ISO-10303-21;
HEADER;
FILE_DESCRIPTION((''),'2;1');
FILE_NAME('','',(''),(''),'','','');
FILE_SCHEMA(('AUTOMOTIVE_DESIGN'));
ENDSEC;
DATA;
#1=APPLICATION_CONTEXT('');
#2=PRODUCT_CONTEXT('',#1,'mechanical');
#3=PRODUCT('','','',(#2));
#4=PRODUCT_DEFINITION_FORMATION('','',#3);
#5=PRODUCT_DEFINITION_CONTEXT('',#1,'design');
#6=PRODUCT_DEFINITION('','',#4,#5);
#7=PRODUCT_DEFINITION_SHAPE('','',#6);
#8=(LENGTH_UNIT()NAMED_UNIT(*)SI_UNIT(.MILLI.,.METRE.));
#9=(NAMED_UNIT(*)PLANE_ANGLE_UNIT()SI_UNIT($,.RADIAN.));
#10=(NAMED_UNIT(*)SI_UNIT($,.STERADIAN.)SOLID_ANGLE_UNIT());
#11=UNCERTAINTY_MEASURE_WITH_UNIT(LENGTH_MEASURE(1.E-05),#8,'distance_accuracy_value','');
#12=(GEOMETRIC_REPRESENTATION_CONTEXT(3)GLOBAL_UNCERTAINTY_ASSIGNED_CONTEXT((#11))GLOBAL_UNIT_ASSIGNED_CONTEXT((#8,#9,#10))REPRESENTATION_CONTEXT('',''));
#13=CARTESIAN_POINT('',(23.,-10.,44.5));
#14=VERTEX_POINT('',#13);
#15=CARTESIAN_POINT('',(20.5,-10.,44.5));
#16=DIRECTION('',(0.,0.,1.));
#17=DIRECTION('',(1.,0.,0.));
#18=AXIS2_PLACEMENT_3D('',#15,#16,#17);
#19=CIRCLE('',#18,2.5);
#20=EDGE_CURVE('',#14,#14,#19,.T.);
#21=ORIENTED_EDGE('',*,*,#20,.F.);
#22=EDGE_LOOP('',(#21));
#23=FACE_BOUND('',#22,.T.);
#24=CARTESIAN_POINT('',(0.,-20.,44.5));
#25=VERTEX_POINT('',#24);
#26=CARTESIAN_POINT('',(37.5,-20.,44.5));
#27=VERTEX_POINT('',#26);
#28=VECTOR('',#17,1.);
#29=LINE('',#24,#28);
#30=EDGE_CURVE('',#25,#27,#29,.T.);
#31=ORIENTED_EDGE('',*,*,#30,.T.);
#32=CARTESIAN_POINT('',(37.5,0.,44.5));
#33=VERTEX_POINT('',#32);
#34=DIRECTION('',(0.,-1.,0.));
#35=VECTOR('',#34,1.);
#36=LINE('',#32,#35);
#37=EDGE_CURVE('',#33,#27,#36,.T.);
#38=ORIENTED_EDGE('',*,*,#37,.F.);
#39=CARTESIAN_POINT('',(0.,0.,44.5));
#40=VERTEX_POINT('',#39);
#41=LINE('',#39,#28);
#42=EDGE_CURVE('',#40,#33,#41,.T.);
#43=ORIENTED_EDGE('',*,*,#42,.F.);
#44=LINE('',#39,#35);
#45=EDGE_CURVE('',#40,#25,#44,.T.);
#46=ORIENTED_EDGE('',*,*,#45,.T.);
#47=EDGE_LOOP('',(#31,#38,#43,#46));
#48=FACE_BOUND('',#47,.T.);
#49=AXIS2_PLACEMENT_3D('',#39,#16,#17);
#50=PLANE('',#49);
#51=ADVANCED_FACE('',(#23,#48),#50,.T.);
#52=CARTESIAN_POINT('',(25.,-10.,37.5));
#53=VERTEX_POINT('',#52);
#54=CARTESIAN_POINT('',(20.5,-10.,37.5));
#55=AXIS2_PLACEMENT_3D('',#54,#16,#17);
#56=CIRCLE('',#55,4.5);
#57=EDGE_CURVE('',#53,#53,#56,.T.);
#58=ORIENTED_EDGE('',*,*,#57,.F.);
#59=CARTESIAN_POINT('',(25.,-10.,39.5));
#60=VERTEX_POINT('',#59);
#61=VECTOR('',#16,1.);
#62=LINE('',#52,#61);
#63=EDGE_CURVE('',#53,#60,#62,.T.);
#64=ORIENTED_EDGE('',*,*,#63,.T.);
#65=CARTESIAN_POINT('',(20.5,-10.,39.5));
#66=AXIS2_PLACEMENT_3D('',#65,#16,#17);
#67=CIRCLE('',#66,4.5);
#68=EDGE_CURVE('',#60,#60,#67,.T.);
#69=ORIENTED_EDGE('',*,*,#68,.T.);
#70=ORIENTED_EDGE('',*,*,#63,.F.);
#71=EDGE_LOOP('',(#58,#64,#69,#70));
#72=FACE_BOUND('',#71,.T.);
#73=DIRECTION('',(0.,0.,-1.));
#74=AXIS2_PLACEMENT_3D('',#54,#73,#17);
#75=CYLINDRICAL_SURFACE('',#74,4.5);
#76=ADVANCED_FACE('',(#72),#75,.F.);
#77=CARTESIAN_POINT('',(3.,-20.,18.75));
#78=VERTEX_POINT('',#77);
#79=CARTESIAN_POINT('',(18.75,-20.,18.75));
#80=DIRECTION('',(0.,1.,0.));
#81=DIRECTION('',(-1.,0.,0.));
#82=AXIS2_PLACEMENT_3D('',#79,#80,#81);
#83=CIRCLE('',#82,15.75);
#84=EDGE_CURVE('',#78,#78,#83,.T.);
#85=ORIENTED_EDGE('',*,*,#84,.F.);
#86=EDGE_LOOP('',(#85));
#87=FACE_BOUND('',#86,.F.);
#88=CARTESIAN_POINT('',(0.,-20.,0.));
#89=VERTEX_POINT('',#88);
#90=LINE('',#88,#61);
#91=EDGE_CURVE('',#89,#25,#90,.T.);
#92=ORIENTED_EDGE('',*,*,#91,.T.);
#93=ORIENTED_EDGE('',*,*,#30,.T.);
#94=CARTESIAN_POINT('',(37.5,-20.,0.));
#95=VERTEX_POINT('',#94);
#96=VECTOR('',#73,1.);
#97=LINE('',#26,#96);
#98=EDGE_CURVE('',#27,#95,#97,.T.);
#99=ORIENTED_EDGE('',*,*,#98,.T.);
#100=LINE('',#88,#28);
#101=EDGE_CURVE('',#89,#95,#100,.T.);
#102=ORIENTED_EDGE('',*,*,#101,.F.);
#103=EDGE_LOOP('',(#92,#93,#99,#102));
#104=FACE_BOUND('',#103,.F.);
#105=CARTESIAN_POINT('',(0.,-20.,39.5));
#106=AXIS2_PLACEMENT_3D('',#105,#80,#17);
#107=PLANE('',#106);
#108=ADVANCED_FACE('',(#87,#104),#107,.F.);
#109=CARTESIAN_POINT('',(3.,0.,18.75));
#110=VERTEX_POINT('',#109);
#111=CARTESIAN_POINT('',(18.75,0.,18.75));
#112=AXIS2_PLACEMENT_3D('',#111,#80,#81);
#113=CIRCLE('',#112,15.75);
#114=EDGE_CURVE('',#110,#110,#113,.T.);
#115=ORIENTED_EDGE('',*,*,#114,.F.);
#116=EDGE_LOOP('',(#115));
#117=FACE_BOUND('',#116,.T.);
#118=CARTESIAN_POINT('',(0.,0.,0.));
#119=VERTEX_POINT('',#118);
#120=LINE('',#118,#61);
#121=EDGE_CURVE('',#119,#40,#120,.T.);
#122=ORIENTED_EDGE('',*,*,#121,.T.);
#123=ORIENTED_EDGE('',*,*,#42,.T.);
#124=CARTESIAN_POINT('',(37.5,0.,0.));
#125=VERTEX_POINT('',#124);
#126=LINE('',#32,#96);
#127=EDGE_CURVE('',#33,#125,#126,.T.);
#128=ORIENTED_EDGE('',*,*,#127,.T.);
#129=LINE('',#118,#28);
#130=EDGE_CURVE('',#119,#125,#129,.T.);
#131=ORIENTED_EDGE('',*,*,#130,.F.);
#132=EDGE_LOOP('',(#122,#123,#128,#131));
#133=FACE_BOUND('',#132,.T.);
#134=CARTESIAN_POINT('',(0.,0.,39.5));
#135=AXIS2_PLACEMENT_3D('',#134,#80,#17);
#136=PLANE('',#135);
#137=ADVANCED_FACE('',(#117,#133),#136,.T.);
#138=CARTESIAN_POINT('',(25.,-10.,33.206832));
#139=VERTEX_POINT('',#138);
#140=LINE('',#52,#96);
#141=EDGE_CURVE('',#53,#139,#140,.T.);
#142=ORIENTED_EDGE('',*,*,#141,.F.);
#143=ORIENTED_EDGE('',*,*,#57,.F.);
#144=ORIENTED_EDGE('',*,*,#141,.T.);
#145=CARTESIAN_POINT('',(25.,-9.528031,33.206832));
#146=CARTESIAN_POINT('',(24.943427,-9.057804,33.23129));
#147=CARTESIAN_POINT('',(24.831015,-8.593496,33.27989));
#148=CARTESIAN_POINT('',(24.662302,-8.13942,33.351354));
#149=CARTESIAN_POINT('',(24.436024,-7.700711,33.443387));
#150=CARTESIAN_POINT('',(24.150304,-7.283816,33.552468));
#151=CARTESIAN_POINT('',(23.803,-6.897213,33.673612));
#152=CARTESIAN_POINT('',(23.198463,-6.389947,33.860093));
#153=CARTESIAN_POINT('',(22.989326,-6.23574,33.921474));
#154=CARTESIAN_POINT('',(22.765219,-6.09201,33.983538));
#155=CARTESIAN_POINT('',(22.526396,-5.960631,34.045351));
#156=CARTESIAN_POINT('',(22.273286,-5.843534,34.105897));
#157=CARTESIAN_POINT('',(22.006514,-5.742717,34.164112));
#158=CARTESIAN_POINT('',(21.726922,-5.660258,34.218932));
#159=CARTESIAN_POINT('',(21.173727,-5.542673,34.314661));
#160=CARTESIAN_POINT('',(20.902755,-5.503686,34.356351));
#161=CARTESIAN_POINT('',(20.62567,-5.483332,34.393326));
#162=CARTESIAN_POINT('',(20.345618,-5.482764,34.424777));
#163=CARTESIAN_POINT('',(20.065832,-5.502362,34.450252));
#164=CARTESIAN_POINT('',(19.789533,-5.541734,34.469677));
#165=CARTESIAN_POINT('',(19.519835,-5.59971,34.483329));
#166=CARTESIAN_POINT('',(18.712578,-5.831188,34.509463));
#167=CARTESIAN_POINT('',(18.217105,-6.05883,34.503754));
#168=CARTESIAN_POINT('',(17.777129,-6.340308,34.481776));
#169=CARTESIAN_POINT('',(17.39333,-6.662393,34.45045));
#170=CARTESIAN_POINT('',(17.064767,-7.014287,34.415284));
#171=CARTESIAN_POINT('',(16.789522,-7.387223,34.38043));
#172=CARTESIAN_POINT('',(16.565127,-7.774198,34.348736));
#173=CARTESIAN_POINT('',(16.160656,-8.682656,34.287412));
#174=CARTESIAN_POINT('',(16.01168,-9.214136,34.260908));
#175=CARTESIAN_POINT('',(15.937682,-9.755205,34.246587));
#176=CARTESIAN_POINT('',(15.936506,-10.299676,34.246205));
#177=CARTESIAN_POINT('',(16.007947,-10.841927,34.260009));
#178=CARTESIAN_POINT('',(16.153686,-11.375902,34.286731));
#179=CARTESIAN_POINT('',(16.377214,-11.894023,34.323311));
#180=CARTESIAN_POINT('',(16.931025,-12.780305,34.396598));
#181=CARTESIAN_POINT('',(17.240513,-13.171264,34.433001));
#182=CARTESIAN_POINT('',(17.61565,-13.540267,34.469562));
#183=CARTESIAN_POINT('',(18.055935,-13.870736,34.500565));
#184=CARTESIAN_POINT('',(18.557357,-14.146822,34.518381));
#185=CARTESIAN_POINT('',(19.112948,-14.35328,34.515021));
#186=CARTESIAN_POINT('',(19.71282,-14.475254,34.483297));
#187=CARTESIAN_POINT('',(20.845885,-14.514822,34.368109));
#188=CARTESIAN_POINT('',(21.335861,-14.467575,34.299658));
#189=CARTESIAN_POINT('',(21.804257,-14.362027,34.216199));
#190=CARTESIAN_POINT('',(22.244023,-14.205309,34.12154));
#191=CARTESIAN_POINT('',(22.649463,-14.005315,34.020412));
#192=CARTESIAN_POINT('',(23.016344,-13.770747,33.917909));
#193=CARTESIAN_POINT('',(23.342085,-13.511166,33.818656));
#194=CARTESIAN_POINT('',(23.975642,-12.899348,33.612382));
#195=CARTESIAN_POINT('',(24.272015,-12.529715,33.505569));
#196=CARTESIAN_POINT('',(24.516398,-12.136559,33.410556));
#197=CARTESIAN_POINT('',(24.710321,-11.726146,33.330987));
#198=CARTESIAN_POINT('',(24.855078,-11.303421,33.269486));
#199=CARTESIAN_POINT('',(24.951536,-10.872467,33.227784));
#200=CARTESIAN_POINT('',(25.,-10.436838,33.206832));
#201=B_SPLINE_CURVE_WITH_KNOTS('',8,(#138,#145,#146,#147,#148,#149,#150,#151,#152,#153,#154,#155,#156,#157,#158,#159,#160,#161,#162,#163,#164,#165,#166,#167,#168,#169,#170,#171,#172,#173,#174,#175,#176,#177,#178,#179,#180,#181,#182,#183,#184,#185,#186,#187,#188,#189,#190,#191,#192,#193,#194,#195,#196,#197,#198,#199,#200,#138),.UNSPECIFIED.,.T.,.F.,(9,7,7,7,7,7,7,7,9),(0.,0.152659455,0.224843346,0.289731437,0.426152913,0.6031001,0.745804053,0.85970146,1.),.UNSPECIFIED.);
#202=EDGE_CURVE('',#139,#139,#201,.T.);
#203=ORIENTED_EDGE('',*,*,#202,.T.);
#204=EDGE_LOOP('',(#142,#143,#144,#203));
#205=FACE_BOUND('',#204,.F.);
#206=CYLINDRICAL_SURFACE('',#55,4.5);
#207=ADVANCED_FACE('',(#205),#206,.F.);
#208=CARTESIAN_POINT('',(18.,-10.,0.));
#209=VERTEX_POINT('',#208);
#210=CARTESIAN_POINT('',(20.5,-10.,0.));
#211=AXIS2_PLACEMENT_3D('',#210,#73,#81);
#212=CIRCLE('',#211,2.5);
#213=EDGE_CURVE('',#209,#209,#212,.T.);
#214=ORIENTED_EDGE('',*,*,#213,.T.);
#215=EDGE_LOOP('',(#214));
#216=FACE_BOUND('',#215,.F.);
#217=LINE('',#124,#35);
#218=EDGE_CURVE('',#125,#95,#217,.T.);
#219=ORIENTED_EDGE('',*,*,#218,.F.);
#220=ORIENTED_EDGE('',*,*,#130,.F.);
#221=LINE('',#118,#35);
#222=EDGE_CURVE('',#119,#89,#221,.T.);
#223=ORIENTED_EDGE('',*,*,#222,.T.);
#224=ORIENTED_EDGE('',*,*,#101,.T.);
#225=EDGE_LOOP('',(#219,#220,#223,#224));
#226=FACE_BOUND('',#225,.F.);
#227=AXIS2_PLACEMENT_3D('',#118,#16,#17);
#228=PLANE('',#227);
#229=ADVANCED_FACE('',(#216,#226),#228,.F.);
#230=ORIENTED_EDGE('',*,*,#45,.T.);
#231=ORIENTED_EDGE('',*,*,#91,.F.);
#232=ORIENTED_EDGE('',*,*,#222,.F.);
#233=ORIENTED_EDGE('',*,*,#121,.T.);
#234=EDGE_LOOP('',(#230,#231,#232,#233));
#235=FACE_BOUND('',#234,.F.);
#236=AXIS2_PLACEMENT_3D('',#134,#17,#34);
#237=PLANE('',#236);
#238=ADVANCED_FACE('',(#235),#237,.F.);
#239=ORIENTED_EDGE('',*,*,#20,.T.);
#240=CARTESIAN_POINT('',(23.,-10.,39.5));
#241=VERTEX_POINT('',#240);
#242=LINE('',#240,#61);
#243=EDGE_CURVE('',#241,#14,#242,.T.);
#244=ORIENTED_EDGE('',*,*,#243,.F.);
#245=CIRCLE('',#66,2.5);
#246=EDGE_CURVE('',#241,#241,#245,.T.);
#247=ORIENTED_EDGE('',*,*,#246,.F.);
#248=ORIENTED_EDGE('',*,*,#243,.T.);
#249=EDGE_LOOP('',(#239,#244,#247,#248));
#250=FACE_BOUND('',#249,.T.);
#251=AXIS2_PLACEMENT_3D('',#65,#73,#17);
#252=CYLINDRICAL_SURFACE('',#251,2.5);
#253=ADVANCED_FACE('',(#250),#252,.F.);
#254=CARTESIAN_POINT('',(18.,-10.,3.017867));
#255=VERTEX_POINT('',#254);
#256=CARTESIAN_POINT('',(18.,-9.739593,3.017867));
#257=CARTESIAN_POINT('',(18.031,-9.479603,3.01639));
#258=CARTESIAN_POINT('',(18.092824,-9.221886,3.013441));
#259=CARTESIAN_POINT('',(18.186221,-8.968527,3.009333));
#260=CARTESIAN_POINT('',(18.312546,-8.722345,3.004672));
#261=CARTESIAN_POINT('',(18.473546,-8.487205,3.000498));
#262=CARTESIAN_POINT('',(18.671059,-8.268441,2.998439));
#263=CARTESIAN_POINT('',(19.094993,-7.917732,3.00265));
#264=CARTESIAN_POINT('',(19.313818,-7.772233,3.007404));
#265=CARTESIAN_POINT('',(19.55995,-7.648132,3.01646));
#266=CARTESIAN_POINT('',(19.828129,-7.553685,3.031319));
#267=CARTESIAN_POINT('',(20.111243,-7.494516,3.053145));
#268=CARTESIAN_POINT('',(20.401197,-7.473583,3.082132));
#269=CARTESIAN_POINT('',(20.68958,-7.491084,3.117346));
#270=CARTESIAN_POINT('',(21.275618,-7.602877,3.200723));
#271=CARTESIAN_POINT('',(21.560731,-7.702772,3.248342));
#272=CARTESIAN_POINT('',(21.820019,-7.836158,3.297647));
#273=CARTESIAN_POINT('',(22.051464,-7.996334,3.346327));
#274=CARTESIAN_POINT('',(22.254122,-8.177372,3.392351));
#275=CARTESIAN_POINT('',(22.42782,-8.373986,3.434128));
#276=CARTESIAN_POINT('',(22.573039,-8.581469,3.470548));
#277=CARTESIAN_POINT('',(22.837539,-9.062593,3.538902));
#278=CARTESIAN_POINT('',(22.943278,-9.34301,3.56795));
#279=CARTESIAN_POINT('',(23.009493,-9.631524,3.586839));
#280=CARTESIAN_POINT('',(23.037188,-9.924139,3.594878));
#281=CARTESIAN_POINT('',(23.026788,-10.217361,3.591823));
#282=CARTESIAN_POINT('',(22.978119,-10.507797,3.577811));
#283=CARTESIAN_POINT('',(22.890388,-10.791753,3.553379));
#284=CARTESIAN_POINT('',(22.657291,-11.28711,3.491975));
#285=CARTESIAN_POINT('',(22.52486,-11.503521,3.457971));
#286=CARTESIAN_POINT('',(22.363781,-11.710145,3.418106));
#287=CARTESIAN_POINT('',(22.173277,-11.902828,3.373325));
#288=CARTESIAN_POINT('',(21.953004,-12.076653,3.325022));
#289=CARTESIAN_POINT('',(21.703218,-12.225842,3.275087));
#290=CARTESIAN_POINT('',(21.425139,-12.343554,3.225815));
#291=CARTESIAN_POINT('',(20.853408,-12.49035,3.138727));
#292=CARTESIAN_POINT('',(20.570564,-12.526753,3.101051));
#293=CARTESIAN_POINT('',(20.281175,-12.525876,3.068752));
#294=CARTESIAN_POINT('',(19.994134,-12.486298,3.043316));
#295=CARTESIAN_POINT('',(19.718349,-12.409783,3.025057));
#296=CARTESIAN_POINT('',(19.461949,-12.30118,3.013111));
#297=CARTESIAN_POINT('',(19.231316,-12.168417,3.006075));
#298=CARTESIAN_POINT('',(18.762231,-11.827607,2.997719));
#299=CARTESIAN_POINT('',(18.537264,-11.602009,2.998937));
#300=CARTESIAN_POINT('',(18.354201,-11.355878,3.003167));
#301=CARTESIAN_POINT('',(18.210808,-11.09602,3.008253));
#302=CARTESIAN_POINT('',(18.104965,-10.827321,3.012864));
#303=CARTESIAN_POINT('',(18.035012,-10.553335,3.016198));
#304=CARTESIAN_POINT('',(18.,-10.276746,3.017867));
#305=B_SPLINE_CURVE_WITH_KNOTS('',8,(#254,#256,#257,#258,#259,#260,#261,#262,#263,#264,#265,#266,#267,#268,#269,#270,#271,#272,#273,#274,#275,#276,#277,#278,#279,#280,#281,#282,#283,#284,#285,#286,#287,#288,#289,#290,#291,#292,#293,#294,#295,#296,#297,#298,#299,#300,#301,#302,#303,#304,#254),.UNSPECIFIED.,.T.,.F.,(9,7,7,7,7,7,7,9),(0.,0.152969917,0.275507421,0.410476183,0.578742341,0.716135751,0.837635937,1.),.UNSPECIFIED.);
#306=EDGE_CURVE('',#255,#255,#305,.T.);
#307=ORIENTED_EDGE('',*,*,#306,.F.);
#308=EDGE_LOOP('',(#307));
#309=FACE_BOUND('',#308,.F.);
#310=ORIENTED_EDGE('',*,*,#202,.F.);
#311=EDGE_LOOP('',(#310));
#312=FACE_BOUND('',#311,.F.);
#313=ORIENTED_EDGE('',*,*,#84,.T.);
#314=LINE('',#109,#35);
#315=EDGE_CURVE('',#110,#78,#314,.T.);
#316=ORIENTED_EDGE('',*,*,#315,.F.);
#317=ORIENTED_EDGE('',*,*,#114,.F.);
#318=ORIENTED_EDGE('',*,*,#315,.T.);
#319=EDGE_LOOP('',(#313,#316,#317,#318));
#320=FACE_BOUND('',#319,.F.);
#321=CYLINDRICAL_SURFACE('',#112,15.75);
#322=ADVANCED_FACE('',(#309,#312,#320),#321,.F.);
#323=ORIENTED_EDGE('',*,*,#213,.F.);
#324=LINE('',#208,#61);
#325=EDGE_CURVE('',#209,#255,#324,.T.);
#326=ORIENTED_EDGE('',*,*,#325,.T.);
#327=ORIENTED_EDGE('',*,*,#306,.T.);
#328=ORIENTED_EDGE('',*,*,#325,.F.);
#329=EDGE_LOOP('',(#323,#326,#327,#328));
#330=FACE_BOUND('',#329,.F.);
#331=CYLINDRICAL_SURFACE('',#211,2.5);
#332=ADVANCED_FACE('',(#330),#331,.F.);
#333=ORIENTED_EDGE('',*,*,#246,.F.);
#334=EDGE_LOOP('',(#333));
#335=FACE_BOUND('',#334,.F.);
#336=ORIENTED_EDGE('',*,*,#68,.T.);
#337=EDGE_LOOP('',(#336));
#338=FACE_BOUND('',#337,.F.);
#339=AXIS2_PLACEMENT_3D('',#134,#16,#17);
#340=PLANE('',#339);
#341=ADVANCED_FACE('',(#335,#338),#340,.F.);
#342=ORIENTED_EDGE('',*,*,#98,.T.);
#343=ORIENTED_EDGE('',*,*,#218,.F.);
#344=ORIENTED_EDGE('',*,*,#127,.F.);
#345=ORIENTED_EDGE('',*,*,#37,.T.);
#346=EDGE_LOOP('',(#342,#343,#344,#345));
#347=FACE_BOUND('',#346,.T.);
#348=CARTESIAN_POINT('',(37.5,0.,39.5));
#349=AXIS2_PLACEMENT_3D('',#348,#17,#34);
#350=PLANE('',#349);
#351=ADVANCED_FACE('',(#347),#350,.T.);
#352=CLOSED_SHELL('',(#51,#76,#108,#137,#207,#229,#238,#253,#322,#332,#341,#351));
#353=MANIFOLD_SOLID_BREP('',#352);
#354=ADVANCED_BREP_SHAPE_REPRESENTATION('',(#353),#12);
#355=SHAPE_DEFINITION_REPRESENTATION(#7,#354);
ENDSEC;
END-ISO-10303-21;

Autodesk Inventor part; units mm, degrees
ref_plane "YZ Plane" through (0, 0, 0) normal (1, 0, 0) x (0, 1, 0)
ref_plane "XZ Plane" through (0, 0, 0) normal (0, 1, 0) x (-1, 0, 0)
ref_plane "XY Plane" through (0, 0, 0) normal (0, 0, 1) x (1, 0, 0)
sketch "Sketch1" plane through (0, 0, 0) normal (0, 1, 0) x (-1, 0, 0)
  line L0 (0, 0) -> (-37.5, 0)
  line L1 (-37.5, 0) -> (-37.5, 37.5)
  line L2 (-37.5, 37.5) -> (0, 37.5)
  line L3 (0, 37.5) -> (0, 0)
  circle A0 centre (-18.75, 18.75) radius 15.75
  point P0 (-18.75, 0)
  dimension "d0" = 37.5
  dimension "d1" = 37.5
  dimension "d2" = 18.75
  dimension "d3" = 18.75
  dimension "d4" = 31.5
extrude "Extrusion1" add sketch "Sketch1" against normal blind 20
sketch "Sketch3" plane through (0, 0, 37.5) normal (0, 0, 1) x (1, 0, 0)
  circle A0 centre (20.5, -10) radius 4.5
  point P0 (0, 0)
  dimension "d8" = 9
extrude "Extrusion2" cut sketch "Sketch3" against normal blind 5
sketch "Sketch4" plane through (37.5, 0, 0) normal (0, 0, -1) x (-1, 0, 0)
  circle A0 centre (17, -10) radius 4.5 projected
  circle A1 centre (17, -10) radius 2.5
  point P0 (37.5, 0)
  dimension "d11" = 5
extrude "Extrusion3" cut sketch "Sketch4" against normal blind 5 contours A1
sketch "Sketch5" plane through (0, 0, 37.5) normal (0, 0, 1) x (1, 0, 0)
  line L0 (37.5, 0) -> (0, 0) projected
  line L1 (0, -20) -> (37.5, -20) projected
  line L2 (0, 0) -> (37.5, 0)
  line L3 (37.5, 0) -> (37.5, -20)
  line L4 (37.5, -20) -> (0, -20)
  line L5 (0, -20) -> (0, 0)
  line L6 (0, 0) -> (0, -20) projected
  line L7 (0, 0) -> (37.5, 0)
  line L8 (37.5, 0) -> (37.5, -20)
  line L9 (37.5, -20) -> (0, -20)
  line L10 (0, -20) -> (0, 0)
  circle A0 centre (20.5, -10) radius 4.5
extrude "Extrusion4" add sketch "Sketch5" along normal blind 2
sketch "Sketch6" plane through (0, 0, 39.5) normal (0, 0, 1) x (1, 0, 0)
  line L0 (0, 0) -> (0, -20) projected
  line L1 (0, -20) -> (37.5, -20) projected
  line L2 (0, 0) -> (37.5, 0)
  line L3 (37.5, 0) -> (37.5, -20)
  line L4 (37.5, -20) -> (0, -20)
  line L5 (0, -20) -> (0, 0)
  circle A0 centre (20.5, -10) radius 2.5
extrude "Extrusion5" add sketch "Sketch6" along normal blind 5
equation "\"d0\" = d1"
equation "\"d2\" = 0.5 * d1"
equation "\"d3\" = 0.5 * d0"
properties part number "welco mount v03"
